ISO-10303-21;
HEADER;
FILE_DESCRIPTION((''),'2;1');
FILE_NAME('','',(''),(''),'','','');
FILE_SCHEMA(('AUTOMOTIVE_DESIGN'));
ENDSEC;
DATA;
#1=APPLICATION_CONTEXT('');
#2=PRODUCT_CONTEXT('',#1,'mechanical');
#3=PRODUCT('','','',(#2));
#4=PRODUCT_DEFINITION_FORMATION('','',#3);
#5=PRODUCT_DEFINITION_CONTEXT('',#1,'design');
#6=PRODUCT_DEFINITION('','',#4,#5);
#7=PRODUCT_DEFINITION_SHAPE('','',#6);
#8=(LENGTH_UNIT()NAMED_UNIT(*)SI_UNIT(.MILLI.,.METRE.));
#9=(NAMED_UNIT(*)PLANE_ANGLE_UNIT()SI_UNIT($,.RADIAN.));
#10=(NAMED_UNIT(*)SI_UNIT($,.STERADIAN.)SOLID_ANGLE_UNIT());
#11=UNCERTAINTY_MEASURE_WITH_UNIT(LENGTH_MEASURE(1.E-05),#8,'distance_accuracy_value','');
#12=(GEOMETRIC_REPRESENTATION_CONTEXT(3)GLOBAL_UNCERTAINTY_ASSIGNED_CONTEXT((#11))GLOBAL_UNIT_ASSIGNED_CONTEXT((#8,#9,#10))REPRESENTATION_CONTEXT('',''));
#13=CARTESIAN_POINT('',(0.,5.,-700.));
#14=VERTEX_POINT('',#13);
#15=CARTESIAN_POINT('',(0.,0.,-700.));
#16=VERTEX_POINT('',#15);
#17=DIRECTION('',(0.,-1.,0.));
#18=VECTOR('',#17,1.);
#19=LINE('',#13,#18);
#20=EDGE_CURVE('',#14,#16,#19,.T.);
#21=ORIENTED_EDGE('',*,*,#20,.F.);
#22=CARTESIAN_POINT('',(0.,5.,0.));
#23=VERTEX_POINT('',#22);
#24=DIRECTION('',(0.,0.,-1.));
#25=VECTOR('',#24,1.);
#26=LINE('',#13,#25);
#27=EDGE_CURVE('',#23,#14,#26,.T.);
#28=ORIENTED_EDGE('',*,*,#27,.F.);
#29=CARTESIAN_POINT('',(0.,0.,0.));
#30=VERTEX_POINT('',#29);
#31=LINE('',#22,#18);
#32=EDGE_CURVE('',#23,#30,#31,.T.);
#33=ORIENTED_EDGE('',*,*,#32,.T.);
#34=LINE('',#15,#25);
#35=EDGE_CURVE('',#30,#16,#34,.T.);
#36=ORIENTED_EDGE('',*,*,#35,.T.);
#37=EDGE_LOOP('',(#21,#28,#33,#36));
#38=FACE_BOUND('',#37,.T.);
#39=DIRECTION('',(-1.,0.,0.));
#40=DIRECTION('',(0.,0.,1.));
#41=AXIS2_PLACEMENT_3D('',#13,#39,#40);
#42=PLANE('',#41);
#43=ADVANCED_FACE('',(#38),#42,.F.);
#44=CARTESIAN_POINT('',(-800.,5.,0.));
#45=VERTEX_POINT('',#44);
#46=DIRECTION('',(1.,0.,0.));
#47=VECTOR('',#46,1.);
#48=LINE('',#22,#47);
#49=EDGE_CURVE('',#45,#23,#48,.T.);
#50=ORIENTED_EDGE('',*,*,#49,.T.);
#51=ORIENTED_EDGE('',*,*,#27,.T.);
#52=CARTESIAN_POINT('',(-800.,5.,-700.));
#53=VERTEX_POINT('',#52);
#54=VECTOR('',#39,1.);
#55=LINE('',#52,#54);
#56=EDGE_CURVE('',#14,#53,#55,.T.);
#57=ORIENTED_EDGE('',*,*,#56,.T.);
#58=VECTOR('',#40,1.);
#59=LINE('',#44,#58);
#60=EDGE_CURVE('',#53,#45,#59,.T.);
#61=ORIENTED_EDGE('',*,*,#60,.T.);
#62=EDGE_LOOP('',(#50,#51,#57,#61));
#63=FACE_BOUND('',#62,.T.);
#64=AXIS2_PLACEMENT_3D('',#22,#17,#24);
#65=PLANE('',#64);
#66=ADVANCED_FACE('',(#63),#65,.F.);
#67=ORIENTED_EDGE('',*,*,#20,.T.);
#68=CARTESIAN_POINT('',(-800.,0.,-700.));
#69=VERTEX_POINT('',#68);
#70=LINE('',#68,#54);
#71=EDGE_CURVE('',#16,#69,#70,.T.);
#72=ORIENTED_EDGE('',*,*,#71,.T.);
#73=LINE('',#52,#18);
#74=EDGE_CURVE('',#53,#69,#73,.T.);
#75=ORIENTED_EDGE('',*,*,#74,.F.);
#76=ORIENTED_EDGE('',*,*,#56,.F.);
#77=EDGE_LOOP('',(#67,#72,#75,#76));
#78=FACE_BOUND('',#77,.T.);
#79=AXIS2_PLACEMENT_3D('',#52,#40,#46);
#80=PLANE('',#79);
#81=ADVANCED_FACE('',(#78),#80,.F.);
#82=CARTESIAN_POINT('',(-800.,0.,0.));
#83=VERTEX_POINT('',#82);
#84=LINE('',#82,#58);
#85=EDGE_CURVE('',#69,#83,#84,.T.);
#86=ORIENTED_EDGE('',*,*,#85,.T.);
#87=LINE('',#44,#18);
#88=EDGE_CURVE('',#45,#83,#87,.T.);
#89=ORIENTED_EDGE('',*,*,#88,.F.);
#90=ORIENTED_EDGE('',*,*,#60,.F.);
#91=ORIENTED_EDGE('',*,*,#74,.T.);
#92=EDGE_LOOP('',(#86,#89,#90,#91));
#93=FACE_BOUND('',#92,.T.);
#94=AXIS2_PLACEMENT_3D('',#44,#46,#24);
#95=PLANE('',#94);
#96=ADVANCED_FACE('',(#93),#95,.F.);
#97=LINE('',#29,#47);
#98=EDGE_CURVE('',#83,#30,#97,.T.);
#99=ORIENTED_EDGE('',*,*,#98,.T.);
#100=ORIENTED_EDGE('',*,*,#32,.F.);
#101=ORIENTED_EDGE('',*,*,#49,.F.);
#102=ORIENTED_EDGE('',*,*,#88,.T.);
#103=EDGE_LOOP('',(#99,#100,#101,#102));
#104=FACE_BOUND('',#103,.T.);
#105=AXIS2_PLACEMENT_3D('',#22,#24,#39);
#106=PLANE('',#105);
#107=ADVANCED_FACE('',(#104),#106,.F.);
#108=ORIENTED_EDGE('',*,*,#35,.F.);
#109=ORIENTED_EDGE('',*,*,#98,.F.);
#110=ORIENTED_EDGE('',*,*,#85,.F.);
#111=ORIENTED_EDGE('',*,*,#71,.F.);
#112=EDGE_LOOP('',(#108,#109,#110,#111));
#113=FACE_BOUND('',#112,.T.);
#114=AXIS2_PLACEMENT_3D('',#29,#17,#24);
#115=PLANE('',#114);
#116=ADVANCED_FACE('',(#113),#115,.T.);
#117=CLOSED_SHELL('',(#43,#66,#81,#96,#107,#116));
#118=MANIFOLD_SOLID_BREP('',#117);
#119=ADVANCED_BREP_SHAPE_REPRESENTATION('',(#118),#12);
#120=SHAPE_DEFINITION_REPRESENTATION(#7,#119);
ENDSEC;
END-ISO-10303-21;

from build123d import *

# Parameters (mm, degrees)
SKETCH_1_W      = 800
SKETCH_1_H      = 700
EXTRUDE_1_DEPTH = 5


with BuildPart() as part:
    # 草图1 → 凸台-拉伸1 (new body)
    with BuildSketch(Plane(origin=(0, 0, 0), x_dir=(1, 0, 0), z_dir=(0, 1, 0))):
        with Locations((-400, 350)):
            Rectangle(SKETCH_1_W, SKETCH_1_H)
    extrude(amount=EXTRUDE_1_DEPTH)


solid = part.part
